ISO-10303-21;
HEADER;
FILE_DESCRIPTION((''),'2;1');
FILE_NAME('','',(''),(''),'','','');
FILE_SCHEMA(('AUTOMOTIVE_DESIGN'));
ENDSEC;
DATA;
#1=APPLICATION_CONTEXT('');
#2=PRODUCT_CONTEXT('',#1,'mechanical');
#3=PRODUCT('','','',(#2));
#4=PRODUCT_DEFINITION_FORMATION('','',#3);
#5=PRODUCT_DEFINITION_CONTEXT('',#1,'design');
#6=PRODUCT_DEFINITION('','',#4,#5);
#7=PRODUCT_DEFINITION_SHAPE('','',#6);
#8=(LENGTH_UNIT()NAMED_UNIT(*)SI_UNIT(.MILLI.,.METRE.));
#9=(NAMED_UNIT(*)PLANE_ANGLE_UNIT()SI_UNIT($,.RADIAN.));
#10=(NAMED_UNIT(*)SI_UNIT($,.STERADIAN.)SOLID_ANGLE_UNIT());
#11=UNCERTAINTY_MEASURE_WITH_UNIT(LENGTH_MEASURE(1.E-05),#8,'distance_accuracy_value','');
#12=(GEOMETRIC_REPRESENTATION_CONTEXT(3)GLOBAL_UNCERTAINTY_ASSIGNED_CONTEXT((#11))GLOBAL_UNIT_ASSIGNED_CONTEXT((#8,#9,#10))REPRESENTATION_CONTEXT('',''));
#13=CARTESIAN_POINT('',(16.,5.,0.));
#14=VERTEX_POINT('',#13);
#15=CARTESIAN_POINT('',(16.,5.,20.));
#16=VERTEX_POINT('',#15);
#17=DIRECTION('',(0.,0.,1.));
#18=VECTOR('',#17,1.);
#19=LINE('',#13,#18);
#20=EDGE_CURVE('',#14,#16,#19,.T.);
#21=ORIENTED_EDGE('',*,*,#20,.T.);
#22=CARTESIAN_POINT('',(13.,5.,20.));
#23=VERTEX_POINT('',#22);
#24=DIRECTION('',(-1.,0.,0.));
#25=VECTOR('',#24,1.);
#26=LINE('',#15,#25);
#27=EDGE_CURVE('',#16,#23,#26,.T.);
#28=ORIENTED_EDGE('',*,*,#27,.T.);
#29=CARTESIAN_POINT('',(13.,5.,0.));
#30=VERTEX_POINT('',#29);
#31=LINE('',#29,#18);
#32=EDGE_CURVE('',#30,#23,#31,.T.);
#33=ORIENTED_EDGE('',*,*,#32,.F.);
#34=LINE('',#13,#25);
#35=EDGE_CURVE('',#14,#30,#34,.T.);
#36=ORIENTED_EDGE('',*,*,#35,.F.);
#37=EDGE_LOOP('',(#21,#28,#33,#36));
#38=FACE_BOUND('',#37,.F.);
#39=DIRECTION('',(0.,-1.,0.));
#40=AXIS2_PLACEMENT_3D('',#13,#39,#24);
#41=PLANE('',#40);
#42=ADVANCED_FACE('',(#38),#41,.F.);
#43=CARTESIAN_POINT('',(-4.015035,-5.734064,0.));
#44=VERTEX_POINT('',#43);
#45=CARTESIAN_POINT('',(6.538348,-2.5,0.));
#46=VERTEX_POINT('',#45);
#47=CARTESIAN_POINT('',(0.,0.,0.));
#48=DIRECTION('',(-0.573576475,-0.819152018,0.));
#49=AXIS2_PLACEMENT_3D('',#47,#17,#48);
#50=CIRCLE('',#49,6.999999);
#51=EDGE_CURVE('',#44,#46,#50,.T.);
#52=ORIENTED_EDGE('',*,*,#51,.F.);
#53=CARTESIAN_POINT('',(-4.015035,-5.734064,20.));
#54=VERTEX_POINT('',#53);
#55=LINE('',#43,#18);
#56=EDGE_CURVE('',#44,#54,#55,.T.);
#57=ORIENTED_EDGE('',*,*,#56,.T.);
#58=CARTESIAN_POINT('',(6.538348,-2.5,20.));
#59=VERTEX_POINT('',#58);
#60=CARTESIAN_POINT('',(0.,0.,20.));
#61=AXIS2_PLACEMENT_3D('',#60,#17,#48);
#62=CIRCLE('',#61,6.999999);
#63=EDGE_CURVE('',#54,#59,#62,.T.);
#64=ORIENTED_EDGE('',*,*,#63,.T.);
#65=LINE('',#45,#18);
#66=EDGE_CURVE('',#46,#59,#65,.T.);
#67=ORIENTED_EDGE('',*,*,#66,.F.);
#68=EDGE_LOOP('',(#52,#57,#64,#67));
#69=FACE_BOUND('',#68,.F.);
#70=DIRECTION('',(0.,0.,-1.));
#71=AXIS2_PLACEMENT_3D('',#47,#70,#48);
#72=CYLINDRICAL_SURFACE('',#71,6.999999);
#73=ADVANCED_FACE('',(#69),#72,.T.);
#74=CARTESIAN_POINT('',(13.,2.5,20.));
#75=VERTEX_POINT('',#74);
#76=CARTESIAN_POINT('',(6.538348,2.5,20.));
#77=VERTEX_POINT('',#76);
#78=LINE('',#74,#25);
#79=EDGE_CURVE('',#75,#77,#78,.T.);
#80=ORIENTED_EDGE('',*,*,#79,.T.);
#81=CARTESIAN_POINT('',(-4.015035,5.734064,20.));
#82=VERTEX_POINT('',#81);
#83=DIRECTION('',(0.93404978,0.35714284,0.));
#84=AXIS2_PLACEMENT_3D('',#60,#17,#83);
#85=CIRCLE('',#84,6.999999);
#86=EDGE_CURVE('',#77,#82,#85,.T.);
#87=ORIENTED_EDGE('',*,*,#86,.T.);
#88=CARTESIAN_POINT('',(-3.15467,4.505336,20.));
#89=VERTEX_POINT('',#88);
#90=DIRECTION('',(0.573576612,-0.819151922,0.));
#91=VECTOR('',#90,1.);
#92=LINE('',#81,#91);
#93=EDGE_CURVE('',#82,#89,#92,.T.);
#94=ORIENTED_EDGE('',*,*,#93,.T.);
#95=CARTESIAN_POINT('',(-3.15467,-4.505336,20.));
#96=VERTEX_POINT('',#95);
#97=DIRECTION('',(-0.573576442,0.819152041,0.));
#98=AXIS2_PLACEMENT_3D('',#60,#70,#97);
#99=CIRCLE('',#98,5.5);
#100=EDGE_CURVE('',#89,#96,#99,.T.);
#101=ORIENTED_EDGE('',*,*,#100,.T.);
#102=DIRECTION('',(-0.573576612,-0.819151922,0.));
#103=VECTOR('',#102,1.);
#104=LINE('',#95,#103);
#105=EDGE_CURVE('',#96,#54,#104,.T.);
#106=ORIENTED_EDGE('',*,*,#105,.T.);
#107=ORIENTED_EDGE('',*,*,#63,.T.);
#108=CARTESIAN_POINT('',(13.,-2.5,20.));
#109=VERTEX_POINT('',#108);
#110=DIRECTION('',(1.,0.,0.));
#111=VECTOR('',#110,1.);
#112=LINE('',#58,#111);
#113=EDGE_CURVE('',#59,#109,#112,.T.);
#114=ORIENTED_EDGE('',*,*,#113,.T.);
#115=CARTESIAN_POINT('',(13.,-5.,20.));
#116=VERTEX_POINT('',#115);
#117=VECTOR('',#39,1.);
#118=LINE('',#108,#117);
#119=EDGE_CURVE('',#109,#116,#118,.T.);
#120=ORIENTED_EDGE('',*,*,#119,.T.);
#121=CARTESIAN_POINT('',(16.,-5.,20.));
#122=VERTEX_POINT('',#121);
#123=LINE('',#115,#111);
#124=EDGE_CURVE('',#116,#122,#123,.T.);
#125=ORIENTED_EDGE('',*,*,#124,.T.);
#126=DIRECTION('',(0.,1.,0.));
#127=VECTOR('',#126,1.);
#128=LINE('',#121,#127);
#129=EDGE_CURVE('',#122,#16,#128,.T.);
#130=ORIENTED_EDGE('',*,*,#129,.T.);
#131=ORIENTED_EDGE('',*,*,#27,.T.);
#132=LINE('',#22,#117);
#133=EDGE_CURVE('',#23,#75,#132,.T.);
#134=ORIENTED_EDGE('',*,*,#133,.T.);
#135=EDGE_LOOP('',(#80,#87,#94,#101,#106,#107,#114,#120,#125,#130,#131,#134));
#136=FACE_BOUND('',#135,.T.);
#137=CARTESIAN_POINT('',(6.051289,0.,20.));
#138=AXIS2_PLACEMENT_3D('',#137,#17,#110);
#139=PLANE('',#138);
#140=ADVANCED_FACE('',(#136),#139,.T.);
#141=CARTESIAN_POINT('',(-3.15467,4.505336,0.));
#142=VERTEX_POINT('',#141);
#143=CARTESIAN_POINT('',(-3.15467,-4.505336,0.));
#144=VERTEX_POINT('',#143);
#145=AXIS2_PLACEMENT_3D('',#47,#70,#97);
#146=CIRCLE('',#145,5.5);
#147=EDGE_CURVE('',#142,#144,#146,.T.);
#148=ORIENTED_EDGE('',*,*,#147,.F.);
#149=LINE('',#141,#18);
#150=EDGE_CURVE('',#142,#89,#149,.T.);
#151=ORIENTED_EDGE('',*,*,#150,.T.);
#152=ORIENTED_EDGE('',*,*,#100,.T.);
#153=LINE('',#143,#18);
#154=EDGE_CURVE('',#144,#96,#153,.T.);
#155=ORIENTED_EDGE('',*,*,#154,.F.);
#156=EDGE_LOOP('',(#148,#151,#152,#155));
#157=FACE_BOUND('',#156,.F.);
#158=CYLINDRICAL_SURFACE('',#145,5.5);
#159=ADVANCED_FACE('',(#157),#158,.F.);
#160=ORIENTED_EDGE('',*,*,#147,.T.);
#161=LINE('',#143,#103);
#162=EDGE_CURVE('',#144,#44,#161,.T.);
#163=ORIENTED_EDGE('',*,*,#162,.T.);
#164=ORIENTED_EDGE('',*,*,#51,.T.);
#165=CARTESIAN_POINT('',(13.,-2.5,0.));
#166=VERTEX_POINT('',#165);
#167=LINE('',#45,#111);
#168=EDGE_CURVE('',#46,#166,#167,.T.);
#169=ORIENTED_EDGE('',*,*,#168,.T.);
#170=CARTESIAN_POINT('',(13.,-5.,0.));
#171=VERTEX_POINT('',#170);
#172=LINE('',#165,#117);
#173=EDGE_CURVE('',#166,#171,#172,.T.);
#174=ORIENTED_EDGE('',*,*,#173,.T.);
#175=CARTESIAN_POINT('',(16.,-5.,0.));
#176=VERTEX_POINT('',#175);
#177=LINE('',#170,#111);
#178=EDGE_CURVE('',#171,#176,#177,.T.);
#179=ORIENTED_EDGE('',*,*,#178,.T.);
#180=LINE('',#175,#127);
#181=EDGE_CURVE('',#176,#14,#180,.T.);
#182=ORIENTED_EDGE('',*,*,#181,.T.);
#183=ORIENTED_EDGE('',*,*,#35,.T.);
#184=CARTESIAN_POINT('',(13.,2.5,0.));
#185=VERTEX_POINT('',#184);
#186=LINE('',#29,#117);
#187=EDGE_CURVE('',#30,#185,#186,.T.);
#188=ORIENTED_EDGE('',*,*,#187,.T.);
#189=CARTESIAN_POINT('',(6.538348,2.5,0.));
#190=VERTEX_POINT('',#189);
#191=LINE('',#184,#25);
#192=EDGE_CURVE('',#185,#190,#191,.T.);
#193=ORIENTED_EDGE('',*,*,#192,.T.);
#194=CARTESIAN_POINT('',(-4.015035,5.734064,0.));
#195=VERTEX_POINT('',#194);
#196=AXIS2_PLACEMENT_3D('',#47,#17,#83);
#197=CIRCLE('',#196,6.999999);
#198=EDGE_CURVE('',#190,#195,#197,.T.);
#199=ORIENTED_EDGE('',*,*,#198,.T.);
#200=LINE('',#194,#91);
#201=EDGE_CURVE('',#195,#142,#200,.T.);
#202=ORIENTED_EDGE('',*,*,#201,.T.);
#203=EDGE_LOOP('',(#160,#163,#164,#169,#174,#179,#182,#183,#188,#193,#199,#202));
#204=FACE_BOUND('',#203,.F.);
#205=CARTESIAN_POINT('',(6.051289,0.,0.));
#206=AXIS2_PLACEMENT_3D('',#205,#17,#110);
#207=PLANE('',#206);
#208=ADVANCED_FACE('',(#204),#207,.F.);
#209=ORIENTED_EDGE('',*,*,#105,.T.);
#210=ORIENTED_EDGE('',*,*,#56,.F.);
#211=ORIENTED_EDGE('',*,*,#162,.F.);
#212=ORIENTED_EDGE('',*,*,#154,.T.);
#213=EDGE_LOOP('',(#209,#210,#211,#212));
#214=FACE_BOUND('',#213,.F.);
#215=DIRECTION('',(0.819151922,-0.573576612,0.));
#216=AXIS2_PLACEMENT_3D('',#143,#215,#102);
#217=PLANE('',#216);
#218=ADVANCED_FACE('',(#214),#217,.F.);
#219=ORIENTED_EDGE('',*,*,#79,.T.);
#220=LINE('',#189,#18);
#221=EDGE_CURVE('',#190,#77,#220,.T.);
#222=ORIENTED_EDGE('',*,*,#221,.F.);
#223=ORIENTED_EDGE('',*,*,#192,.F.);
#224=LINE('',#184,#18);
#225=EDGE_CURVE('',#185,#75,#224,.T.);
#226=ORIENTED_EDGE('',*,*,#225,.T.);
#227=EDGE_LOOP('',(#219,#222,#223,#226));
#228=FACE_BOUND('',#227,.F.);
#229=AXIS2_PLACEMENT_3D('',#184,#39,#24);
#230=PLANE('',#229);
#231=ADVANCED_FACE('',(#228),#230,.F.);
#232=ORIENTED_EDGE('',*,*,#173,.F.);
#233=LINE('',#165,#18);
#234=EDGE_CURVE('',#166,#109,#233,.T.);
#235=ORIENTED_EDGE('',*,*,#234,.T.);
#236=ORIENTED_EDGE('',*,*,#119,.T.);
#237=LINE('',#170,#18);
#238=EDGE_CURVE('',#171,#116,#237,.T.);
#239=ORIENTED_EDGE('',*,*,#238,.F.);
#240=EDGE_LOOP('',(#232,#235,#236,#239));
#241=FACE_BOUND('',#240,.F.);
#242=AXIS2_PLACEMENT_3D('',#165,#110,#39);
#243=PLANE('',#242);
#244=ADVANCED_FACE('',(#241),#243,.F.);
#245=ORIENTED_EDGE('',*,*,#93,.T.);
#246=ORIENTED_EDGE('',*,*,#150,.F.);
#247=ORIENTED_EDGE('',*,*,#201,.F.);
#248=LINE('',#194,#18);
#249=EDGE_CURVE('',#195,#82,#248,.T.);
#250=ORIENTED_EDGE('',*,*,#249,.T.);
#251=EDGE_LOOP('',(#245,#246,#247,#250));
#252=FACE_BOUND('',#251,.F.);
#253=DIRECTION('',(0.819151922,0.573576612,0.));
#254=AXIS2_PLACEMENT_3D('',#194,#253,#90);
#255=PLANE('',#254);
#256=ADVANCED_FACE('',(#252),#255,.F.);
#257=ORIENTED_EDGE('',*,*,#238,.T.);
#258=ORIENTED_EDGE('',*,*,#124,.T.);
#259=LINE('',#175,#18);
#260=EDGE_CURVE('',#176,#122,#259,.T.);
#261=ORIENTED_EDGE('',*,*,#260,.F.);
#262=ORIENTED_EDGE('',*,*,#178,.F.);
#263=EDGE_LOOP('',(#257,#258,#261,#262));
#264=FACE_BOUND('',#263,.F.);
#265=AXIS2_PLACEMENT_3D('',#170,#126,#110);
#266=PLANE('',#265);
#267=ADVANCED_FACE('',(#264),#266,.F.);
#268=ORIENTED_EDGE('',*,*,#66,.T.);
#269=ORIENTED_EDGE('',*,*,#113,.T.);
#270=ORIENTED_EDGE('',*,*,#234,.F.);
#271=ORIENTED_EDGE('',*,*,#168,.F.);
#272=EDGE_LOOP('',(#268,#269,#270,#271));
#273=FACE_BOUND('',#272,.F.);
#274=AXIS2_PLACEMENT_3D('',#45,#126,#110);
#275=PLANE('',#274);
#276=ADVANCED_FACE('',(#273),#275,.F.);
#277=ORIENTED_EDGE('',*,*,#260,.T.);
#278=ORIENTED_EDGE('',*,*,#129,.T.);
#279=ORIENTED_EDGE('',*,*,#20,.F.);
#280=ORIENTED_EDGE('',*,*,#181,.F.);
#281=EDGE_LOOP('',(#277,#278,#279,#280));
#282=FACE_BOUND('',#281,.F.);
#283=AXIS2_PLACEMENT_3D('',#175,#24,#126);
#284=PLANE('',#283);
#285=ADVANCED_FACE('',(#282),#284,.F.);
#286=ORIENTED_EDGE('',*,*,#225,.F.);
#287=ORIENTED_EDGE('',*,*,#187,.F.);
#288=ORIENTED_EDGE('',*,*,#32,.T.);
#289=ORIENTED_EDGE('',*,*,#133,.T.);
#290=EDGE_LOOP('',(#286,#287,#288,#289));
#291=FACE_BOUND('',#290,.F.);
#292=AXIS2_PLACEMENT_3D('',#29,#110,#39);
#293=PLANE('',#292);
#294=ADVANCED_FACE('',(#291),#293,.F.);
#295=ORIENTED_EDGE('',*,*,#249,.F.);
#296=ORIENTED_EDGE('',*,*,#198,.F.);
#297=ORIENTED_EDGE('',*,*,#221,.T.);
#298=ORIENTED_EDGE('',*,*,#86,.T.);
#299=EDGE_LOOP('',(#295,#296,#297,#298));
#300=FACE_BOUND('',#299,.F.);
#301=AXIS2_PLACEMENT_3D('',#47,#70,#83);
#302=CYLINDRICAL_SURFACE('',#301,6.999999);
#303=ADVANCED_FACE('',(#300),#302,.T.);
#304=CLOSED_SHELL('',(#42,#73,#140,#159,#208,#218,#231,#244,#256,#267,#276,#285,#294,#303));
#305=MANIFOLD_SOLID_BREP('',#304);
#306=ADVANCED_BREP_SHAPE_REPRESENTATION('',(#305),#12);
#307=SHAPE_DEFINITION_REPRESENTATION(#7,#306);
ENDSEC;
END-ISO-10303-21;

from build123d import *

# Parameters (mm, degrees)
F1_DEPTH = 20


with BuildPart() as f1:
    # F0 (on Top) → F1 (new body)
    with BuildSketch(Plane.XY):
        with BuildLine():
            ThreePointArc((-3.15467, 4.505336), (5.5, 0), (-3.15467, -4.505336))
            Line((-3.15467, -4.505336), (-4.015035, -5.734064))
            ThreePointArc((-4.015035, -5.734064), (2.050993, -6.692789), (6.538348, -2.5))
            Line((6.538348, -2.5), (13, -2.5))
            Line((13, -2.5), (13, -5))
            Line((13, -5), (16, -5))
            Line((16, -5), (16, 5))
            Line((16, 5), (13, 5))
            Line((13, 5), (13, 2.5))
            Line((13, 2.5), (6.538348, 2.5))
            ThreePointArc((6.538348, 2.5), (2.050993, 6.692789), (-4.015035, 5.734064))
            Line((-4.015035, 5.734064), (-3.15467, 4.505336))
        make_face()
    extrude(amount=F1_DEPTH)


solid = f1.part
